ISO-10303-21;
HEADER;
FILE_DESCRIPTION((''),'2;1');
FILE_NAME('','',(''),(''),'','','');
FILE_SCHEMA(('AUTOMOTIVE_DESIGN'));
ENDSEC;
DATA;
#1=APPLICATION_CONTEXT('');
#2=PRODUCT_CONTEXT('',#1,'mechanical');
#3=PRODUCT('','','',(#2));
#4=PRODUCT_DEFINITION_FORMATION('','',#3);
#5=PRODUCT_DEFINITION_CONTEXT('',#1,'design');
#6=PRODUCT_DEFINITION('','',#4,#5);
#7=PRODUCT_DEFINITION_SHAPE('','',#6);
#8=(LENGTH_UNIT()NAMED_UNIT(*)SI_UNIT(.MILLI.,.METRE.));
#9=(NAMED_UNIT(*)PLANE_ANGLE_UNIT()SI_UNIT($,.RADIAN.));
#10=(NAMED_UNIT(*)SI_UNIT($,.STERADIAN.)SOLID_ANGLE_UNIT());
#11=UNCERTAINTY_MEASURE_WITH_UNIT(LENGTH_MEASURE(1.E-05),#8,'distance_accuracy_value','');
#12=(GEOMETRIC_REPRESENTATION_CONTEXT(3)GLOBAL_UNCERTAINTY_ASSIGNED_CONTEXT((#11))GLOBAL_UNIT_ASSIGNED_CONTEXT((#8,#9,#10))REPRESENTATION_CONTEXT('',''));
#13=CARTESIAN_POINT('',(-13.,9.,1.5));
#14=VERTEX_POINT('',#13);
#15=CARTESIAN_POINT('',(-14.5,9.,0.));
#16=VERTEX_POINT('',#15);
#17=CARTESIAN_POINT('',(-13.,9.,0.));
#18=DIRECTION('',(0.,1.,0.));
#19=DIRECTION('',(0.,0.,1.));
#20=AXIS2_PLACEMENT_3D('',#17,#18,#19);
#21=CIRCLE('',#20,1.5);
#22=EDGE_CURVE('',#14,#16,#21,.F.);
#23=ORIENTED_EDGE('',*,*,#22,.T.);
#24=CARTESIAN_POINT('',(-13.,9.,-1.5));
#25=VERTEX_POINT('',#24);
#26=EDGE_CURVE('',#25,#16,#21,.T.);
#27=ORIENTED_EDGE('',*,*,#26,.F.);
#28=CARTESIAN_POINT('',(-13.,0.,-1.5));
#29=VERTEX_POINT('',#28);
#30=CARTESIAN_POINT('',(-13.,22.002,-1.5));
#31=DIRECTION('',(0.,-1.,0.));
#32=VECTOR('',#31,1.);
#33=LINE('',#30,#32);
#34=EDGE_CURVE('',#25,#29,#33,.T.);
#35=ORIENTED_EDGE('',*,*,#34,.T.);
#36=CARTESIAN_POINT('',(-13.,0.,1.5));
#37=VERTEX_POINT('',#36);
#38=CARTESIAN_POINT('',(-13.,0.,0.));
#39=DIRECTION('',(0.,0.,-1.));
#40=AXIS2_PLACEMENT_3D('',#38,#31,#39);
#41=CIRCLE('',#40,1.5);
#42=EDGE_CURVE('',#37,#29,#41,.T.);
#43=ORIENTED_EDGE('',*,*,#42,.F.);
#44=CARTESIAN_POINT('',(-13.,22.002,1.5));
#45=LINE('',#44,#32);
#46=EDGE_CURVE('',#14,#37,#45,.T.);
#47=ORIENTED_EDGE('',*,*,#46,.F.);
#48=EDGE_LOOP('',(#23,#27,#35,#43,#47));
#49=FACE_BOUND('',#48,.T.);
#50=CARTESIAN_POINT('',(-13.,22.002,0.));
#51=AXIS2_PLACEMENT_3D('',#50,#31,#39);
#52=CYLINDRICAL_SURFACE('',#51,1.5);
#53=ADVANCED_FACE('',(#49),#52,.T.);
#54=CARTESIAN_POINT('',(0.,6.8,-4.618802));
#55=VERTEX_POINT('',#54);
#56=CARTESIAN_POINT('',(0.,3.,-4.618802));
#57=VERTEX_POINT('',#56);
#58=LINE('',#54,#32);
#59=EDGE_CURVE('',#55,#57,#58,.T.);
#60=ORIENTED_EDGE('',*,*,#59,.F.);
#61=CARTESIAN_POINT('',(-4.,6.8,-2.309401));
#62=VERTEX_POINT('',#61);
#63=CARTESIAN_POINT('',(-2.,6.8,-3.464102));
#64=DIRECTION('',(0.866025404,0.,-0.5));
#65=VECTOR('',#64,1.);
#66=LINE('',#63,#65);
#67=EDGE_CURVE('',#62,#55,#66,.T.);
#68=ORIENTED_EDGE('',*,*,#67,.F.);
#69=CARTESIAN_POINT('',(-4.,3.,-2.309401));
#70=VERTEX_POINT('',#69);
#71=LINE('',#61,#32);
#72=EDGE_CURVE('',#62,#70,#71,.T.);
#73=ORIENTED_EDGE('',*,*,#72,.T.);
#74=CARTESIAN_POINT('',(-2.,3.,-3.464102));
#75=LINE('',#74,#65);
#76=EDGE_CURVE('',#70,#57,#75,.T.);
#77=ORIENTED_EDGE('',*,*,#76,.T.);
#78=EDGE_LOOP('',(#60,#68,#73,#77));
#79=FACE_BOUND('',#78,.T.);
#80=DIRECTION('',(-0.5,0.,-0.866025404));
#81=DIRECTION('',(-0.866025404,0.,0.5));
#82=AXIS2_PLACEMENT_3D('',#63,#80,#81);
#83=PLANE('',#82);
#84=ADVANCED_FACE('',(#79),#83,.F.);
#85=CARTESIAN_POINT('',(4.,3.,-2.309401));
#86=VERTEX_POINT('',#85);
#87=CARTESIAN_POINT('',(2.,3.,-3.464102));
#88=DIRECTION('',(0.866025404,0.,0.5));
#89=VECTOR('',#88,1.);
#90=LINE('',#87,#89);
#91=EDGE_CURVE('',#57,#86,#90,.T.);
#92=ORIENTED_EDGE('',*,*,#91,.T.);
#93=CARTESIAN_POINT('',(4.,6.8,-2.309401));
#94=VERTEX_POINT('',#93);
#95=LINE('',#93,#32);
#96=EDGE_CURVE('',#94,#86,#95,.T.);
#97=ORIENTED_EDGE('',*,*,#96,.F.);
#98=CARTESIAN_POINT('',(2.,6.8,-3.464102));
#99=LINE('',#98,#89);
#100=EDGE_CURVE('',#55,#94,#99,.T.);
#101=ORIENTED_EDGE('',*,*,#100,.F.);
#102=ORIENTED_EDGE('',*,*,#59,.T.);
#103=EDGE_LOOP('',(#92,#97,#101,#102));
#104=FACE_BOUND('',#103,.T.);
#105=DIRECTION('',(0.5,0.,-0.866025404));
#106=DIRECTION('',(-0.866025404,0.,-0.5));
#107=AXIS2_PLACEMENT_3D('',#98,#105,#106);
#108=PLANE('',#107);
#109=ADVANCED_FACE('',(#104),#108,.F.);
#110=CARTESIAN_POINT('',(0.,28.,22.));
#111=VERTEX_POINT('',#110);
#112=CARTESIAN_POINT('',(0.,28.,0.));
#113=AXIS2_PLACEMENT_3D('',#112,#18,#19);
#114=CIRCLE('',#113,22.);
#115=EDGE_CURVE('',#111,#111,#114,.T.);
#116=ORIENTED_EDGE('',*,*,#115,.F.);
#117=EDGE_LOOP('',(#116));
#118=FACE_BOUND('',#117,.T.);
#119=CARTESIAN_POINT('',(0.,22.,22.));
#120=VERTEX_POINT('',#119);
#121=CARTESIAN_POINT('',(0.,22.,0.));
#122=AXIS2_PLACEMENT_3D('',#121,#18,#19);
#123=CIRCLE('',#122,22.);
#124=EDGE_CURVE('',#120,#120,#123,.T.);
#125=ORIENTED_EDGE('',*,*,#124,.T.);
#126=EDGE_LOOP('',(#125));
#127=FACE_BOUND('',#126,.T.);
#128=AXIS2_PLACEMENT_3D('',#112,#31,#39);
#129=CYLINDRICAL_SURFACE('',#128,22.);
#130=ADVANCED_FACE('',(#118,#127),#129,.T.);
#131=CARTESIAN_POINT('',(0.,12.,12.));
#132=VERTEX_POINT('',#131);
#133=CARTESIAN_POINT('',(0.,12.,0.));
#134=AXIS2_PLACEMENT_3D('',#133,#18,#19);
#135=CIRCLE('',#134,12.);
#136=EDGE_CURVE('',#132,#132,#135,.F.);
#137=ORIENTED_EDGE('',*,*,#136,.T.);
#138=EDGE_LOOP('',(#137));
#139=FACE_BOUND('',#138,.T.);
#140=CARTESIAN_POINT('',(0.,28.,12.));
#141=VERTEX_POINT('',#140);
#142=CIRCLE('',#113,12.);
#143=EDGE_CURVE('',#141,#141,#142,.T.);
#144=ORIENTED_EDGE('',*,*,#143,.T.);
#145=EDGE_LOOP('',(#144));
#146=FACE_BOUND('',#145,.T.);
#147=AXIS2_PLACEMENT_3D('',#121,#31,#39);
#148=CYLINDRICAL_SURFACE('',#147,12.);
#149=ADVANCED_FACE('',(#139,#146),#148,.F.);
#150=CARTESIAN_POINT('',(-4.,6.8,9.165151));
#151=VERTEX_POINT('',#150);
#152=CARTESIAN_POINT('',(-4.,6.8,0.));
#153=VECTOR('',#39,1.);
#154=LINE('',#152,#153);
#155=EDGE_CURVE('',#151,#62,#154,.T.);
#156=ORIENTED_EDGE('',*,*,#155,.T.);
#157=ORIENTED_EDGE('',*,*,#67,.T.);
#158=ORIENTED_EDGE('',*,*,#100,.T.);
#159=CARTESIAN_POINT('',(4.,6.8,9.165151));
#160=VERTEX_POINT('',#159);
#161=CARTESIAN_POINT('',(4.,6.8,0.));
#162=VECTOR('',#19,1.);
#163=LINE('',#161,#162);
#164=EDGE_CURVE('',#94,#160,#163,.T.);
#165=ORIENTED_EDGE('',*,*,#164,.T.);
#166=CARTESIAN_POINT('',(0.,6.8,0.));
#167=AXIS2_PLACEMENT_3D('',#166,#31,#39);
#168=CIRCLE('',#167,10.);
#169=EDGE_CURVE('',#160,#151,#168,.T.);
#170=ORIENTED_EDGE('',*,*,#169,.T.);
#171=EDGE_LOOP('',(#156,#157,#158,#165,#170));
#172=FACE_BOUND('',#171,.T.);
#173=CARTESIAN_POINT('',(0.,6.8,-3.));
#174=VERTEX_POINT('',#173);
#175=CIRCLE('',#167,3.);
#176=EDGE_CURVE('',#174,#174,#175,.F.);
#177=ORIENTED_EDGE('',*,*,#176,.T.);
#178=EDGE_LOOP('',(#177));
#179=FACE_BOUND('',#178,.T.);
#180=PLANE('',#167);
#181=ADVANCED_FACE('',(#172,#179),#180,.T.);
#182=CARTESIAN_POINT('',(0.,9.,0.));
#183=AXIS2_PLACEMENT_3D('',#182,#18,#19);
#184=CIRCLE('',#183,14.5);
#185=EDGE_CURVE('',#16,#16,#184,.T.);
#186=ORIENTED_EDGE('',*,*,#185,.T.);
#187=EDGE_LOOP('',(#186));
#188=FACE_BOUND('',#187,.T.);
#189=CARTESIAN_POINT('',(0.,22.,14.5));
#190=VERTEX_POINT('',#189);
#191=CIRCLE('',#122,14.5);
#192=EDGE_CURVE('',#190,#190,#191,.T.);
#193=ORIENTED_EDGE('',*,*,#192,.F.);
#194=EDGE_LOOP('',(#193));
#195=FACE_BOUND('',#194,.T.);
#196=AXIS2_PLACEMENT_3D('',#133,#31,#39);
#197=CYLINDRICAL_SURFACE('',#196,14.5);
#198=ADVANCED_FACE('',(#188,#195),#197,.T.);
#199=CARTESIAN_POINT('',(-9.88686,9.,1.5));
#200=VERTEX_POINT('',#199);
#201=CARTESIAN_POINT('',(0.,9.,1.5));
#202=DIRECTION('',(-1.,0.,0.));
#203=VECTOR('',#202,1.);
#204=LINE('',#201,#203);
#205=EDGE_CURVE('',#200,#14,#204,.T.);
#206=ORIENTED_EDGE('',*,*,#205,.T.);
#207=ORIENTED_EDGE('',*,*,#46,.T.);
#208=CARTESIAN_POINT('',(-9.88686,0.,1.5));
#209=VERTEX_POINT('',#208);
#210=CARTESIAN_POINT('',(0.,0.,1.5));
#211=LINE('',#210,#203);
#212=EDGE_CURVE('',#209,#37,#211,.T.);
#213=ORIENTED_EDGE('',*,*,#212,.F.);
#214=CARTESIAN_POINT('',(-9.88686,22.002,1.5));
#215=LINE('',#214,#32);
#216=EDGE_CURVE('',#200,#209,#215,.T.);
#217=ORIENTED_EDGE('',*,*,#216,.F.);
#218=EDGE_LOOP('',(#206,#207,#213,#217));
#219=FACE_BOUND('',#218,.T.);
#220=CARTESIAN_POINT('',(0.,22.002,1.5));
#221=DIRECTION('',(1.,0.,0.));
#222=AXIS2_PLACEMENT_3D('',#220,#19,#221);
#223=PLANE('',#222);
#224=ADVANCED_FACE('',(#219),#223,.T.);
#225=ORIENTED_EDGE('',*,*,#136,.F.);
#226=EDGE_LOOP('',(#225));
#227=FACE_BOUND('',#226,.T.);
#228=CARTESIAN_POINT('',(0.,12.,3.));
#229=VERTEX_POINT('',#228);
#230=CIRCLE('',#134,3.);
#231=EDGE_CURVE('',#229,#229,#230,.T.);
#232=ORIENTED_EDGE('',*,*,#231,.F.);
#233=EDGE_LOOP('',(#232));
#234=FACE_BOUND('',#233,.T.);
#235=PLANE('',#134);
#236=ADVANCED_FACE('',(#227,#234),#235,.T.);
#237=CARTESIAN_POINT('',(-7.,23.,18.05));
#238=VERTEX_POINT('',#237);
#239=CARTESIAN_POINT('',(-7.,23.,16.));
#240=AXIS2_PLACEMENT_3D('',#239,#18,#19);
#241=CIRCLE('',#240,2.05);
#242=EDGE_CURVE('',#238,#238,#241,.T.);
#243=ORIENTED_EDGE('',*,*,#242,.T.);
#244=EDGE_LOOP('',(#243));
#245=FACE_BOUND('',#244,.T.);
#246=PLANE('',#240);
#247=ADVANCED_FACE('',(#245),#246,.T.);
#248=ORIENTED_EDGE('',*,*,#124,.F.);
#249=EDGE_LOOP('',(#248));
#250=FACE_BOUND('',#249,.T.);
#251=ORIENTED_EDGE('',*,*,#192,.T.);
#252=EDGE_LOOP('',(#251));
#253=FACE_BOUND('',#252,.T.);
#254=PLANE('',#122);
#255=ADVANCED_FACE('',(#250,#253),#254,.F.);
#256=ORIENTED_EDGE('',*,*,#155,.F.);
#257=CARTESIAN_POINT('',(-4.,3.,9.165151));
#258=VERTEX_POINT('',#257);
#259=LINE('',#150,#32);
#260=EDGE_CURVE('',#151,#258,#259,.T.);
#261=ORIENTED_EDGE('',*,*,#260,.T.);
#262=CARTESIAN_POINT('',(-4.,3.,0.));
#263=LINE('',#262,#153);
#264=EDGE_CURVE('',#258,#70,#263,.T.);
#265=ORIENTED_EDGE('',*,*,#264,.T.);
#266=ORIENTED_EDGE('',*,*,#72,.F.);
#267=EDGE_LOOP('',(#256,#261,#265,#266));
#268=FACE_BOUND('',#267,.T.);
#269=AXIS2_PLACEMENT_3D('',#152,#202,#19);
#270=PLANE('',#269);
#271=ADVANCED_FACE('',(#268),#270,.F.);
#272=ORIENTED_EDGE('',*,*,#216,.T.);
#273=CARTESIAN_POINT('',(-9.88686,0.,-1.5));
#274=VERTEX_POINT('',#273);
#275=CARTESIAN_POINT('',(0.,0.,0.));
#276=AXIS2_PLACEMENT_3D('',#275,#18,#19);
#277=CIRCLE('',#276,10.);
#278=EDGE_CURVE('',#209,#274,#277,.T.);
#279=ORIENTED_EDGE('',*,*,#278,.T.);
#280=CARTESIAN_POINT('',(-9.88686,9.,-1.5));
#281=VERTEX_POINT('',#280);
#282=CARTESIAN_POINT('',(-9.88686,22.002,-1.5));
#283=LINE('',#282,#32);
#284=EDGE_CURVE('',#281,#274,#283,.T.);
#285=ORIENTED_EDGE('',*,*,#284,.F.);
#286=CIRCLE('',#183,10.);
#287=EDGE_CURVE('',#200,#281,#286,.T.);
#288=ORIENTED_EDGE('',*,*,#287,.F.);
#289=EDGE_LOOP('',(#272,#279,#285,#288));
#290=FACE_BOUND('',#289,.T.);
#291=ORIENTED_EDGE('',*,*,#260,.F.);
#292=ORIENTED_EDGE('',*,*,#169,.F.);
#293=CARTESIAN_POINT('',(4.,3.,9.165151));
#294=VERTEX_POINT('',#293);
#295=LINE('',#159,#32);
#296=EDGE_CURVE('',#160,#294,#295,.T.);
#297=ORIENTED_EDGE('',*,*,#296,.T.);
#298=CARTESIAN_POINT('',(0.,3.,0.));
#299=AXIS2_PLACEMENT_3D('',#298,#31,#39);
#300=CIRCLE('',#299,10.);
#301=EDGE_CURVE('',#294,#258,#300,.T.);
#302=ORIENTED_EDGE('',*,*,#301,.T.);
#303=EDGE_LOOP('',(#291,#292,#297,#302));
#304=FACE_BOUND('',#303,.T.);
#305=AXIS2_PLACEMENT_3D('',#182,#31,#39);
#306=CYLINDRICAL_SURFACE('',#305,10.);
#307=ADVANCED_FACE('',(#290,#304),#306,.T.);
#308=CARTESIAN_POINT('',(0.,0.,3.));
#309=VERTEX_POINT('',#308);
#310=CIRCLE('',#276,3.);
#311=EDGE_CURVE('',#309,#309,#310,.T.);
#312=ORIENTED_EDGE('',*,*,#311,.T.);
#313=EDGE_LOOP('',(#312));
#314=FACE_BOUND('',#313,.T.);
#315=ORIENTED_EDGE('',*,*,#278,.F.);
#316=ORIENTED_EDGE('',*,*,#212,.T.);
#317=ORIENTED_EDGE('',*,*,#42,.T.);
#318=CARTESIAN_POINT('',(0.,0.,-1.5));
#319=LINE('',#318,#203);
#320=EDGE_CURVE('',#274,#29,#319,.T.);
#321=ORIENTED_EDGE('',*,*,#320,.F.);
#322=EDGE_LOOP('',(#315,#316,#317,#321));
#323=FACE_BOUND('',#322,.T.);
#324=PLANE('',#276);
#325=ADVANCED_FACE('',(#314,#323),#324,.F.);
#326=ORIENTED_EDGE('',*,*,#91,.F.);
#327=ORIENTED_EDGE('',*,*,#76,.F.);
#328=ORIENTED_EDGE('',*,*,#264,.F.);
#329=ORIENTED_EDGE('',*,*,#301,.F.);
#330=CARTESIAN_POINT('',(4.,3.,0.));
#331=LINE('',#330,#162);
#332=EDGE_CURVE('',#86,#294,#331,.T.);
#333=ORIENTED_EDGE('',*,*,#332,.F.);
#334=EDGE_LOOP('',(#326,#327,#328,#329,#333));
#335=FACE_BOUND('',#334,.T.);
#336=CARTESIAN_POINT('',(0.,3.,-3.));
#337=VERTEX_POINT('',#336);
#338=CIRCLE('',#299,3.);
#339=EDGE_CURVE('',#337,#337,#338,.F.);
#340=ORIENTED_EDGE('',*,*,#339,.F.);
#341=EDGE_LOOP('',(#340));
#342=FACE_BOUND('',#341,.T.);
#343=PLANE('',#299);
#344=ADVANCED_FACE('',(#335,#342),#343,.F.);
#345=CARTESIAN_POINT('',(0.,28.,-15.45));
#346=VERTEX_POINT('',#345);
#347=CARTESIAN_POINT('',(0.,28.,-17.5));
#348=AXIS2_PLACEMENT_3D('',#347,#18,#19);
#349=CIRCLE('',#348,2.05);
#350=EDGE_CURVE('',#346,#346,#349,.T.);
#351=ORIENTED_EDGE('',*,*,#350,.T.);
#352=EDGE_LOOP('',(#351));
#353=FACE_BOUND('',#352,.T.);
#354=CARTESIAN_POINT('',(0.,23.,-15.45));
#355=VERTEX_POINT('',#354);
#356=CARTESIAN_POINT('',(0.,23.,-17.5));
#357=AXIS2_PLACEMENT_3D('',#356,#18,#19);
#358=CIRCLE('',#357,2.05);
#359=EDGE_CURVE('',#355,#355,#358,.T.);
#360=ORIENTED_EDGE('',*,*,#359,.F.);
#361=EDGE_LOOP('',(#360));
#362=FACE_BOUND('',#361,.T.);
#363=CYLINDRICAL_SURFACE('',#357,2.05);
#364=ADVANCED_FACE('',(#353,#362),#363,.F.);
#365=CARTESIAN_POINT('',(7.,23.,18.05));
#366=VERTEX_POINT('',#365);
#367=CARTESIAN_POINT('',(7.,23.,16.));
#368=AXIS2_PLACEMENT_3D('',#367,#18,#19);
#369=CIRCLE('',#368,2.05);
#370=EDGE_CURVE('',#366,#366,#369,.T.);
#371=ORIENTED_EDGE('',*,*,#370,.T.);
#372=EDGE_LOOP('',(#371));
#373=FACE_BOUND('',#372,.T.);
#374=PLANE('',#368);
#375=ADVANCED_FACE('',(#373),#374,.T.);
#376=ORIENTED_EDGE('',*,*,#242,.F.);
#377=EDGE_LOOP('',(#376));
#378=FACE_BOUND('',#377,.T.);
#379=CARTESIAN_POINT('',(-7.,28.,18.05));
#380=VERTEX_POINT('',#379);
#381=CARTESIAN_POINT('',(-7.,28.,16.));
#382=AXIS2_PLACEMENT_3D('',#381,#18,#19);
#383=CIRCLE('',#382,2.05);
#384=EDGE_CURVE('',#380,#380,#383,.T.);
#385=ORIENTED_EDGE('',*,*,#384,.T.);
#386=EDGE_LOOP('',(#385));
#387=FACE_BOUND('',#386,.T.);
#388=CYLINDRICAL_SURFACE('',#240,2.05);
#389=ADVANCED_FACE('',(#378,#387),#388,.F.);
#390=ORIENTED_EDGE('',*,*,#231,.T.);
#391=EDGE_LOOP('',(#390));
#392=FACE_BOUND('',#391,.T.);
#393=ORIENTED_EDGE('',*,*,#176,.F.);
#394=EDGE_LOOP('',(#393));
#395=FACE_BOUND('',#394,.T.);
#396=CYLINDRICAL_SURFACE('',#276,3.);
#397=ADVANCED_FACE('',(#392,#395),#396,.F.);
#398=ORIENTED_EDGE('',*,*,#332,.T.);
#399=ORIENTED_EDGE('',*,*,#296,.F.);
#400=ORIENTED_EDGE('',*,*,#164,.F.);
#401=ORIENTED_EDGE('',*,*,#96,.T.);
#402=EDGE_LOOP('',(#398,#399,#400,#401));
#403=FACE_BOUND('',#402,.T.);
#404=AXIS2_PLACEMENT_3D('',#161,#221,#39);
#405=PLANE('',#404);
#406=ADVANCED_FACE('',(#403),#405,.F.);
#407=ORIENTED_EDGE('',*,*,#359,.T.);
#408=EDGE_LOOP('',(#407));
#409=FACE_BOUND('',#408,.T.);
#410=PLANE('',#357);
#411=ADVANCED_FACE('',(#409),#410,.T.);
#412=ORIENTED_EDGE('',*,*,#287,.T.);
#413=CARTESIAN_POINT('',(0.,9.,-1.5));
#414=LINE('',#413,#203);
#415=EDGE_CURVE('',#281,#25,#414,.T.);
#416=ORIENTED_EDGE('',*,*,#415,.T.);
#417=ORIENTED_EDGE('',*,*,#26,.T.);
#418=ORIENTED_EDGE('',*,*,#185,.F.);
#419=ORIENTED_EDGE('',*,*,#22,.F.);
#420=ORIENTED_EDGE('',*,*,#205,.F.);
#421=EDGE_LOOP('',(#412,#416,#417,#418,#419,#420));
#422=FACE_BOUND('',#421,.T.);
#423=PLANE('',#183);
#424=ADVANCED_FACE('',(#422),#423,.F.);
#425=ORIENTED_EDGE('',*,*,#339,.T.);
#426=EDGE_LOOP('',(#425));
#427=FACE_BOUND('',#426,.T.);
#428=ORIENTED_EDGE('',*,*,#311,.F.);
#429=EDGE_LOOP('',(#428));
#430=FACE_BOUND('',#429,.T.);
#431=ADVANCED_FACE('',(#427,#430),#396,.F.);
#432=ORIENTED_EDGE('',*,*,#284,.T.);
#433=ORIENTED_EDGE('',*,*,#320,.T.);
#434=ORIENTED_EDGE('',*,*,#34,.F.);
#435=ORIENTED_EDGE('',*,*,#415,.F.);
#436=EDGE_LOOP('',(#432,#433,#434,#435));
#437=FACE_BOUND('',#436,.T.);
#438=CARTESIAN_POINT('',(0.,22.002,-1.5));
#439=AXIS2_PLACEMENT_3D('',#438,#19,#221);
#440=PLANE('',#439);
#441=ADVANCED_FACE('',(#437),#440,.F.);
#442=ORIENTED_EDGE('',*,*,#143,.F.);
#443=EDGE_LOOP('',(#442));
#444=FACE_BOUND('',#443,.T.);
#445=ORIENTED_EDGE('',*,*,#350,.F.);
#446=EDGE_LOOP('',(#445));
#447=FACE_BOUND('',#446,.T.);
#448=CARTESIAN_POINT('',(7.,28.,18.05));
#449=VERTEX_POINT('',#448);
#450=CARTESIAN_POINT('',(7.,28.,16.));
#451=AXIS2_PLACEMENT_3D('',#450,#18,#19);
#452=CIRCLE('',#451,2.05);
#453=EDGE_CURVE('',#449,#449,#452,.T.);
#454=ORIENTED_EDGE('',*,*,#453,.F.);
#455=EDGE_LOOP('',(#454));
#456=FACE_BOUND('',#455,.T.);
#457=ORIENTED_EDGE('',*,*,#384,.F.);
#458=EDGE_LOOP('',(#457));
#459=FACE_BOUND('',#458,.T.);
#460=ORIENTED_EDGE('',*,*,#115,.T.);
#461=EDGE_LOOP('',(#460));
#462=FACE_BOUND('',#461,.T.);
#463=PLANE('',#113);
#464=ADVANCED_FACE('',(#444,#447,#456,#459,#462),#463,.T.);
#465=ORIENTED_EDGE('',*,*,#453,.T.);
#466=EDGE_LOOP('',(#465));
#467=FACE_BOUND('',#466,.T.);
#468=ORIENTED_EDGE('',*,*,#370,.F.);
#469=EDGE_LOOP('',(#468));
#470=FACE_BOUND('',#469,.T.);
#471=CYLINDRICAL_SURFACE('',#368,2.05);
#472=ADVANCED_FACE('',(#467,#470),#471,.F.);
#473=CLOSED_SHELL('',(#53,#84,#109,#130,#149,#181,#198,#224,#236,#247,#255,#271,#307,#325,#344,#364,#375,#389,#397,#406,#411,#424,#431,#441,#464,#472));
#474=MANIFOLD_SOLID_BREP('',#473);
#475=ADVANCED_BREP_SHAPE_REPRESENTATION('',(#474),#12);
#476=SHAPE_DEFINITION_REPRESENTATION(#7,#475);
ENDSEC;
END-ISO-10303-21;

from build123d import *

# Parameters (mm, degrees)
SKETCH1_R           = 10
BOSS_EXTRUDE1_DEPTH = 9
SKETCH2_R           = 14.5
BOSS_EXTRUDE2_DEPTH = 3
SKETCH3_R           = 14.5
SKETCH3_R_2         = 12
BOSS_EXTRUDE3_DEPTH = 10
SKETCH4_R           = 3
CUT_EXTRUDE1_DEPTH  = 13
BOSS_EXTRUDE4_REACH = 24
SKETCH5_R           = 1.5
CUT_EXTRUDE2_DEPTH  = 3.8
SKETCH7_R           = 22
SKETCH7_R_2         = 12
BOSS_EXTRUDE5_DEPTH = 6
SKETCH8_R           = 2.05
CUT_EXTRUDE3_DEPTH  = 5


with BuildPart() as part:
    # Sketch1 → Boss-Extrude1 (new body)
    with BuildSketch(Plane(origin=(0, 0, 0), x_dir=(1, 0, 0), z_dir=(0, 1, 0))):
        Circle(SKETCH1_R)
    extrude(amount=BOSS_EXTRUDE1_DEPTH)

    # Sketch2 → Boss-Extrude2 (add)
    with BuildSketch(Plane(origin=(0, 9, 0), x_dir=(1, 0, 0), z_dir=(0, 1, 0))):
        Circle(SKETCH2_R)
    extrude(amount=BOSS_EXTRUDE2_DEPTH)

    # Sketch3 → Boss-Extrude3 (add)
    with BuildSketch(Plane(origin=(0, 12, 0), x_dir=(1, 0, 0), z_dir=(0, 1, 0))):
        Circle(SKETCH3_R)
        Circle(SKETCH3_R_2, mode=Mode.SUBTRACT)
    extrude(amount=BOSS_EXTRUDE3_DEPTH)

    # Sketch4 → Cut-Extrude1 (cut, through all)
    with BuildSketch(Plane(origin=(0, 12, 0), x_dir=(1, 0, 0), z_dir=(0, 1, 0))):
        Circle(SKETCH4_R)
    extrude(amount=-CUT_EXTRUDE1_DEPTH, mode=Mode.SUBTRACT)

    # Sketch5 → Boss-Extrude4 (add, up to next)
    with BuildSketch(Plane.XZ, mode=Mode.PRIVATE) as boss_extrude4_sk1:
        with Locations((-13, 0)):
            Circle(SKETCH5_R)
    boss_extrude4_tool1 = extrude(boss_extrude4_sk1.sketch, amount=-BOSS_EXTRUDE4_REACH, mode=Mode.PRIVATE) - part.part
    add(boss_extrude4_tool1.solids().sort_by_distance((-13, 0, 0))[0])
    # Sketch5 → Boss-Extrude4 (add, up to next)
    with BuildSketch(Plane.XZ, mode=Mode.PRIVATE) as boss_extrude4_sk2:
        with BuildLine():
            ThreePointArc((-9.886859967, -1.5), (-10, 0), (-9.886859967, 1.5))
            Line((-9.886859967, 1.5), (-13, 1.5))
            ThreePointArc((-13, 1.5), (-11.939339828, 1.060660172), (-11.5, 0))
            ThreePointArc((-11.5, 0), (-11.939339828, -1.060660172), (-13, -1.5))
            Line((-13, -1.5), (-9.886859967, -1.5))
        make_face()
    boss_extrude4_tool2 = extrude(boss_extrude4_sk2.sketch, amount=-BOSS_EXTRUDE4_REACH, mode=Mode.PRIVATE) - part.part
    add(boss_extrude4_tool2.solids().sort_by_distance((-10.921971, 0, 0))[0])

    # Sketch6 → Cut-Extrude2 (cut)
    with BuildSketch(Plane(origin=(0, 3, 0), x_dir=(-1, 0, 0), z_dir=(0, -1, 0))):
        with BuildLine():
            Line((4, -2.309401077), (4, 2.309401077))
            Line((4, 2.309401077), (0, 4.618802154))
            Line((0, 4.618802154), (-4, 2.309401077))
            Line((-4, 2.309401077), (-4, -2.309401077))
            Line((-4, -2.309401077), (-4, -9.16515139))
            ThreePointArc((-4, -9.16515139), (0, -10), (4, -9.16515139))
            Line((4, -9.16515139), (4, -2.309401077))
        make_face()
    extrude(amount=-CUT_EXTRUDE2_DEPTH, mode=Mode.SUBTRACT)

    # Sketch7 → Boss-Extrude5 (add)
    with BuildSketch(Plane(origin=(0, 22, 0), x_dir=(1, 0, 0), z_dir=(0, 1, 0))):
        Circle(SKETCH7_R)
        Circle(SKETCH7_R_2, mode=Mode.SUBTRACT)
    extrude(amount=BOSS_EXTRUDE5_DEPTH)

    # Sketch8 → Cut-Extrude3 (cut)
    with BuildSketch(Plane(origin=(0, 28, 0), x_dir=(1, 0, 0), z_dir=(0, 1, 0))):
        with Locations((0, 17.5)):
            Circle(SKETCH8_R)
        with Locations((-7, -16)):
            Circle(SKETCH8_R)
        with Locations((7, -16)):
            Circle(SKETCH8_R)
    extrude(amount=-CUT_EXTRUDE3_DEPTH, mode=Mode.SUBTRACT)


solid = part.part
